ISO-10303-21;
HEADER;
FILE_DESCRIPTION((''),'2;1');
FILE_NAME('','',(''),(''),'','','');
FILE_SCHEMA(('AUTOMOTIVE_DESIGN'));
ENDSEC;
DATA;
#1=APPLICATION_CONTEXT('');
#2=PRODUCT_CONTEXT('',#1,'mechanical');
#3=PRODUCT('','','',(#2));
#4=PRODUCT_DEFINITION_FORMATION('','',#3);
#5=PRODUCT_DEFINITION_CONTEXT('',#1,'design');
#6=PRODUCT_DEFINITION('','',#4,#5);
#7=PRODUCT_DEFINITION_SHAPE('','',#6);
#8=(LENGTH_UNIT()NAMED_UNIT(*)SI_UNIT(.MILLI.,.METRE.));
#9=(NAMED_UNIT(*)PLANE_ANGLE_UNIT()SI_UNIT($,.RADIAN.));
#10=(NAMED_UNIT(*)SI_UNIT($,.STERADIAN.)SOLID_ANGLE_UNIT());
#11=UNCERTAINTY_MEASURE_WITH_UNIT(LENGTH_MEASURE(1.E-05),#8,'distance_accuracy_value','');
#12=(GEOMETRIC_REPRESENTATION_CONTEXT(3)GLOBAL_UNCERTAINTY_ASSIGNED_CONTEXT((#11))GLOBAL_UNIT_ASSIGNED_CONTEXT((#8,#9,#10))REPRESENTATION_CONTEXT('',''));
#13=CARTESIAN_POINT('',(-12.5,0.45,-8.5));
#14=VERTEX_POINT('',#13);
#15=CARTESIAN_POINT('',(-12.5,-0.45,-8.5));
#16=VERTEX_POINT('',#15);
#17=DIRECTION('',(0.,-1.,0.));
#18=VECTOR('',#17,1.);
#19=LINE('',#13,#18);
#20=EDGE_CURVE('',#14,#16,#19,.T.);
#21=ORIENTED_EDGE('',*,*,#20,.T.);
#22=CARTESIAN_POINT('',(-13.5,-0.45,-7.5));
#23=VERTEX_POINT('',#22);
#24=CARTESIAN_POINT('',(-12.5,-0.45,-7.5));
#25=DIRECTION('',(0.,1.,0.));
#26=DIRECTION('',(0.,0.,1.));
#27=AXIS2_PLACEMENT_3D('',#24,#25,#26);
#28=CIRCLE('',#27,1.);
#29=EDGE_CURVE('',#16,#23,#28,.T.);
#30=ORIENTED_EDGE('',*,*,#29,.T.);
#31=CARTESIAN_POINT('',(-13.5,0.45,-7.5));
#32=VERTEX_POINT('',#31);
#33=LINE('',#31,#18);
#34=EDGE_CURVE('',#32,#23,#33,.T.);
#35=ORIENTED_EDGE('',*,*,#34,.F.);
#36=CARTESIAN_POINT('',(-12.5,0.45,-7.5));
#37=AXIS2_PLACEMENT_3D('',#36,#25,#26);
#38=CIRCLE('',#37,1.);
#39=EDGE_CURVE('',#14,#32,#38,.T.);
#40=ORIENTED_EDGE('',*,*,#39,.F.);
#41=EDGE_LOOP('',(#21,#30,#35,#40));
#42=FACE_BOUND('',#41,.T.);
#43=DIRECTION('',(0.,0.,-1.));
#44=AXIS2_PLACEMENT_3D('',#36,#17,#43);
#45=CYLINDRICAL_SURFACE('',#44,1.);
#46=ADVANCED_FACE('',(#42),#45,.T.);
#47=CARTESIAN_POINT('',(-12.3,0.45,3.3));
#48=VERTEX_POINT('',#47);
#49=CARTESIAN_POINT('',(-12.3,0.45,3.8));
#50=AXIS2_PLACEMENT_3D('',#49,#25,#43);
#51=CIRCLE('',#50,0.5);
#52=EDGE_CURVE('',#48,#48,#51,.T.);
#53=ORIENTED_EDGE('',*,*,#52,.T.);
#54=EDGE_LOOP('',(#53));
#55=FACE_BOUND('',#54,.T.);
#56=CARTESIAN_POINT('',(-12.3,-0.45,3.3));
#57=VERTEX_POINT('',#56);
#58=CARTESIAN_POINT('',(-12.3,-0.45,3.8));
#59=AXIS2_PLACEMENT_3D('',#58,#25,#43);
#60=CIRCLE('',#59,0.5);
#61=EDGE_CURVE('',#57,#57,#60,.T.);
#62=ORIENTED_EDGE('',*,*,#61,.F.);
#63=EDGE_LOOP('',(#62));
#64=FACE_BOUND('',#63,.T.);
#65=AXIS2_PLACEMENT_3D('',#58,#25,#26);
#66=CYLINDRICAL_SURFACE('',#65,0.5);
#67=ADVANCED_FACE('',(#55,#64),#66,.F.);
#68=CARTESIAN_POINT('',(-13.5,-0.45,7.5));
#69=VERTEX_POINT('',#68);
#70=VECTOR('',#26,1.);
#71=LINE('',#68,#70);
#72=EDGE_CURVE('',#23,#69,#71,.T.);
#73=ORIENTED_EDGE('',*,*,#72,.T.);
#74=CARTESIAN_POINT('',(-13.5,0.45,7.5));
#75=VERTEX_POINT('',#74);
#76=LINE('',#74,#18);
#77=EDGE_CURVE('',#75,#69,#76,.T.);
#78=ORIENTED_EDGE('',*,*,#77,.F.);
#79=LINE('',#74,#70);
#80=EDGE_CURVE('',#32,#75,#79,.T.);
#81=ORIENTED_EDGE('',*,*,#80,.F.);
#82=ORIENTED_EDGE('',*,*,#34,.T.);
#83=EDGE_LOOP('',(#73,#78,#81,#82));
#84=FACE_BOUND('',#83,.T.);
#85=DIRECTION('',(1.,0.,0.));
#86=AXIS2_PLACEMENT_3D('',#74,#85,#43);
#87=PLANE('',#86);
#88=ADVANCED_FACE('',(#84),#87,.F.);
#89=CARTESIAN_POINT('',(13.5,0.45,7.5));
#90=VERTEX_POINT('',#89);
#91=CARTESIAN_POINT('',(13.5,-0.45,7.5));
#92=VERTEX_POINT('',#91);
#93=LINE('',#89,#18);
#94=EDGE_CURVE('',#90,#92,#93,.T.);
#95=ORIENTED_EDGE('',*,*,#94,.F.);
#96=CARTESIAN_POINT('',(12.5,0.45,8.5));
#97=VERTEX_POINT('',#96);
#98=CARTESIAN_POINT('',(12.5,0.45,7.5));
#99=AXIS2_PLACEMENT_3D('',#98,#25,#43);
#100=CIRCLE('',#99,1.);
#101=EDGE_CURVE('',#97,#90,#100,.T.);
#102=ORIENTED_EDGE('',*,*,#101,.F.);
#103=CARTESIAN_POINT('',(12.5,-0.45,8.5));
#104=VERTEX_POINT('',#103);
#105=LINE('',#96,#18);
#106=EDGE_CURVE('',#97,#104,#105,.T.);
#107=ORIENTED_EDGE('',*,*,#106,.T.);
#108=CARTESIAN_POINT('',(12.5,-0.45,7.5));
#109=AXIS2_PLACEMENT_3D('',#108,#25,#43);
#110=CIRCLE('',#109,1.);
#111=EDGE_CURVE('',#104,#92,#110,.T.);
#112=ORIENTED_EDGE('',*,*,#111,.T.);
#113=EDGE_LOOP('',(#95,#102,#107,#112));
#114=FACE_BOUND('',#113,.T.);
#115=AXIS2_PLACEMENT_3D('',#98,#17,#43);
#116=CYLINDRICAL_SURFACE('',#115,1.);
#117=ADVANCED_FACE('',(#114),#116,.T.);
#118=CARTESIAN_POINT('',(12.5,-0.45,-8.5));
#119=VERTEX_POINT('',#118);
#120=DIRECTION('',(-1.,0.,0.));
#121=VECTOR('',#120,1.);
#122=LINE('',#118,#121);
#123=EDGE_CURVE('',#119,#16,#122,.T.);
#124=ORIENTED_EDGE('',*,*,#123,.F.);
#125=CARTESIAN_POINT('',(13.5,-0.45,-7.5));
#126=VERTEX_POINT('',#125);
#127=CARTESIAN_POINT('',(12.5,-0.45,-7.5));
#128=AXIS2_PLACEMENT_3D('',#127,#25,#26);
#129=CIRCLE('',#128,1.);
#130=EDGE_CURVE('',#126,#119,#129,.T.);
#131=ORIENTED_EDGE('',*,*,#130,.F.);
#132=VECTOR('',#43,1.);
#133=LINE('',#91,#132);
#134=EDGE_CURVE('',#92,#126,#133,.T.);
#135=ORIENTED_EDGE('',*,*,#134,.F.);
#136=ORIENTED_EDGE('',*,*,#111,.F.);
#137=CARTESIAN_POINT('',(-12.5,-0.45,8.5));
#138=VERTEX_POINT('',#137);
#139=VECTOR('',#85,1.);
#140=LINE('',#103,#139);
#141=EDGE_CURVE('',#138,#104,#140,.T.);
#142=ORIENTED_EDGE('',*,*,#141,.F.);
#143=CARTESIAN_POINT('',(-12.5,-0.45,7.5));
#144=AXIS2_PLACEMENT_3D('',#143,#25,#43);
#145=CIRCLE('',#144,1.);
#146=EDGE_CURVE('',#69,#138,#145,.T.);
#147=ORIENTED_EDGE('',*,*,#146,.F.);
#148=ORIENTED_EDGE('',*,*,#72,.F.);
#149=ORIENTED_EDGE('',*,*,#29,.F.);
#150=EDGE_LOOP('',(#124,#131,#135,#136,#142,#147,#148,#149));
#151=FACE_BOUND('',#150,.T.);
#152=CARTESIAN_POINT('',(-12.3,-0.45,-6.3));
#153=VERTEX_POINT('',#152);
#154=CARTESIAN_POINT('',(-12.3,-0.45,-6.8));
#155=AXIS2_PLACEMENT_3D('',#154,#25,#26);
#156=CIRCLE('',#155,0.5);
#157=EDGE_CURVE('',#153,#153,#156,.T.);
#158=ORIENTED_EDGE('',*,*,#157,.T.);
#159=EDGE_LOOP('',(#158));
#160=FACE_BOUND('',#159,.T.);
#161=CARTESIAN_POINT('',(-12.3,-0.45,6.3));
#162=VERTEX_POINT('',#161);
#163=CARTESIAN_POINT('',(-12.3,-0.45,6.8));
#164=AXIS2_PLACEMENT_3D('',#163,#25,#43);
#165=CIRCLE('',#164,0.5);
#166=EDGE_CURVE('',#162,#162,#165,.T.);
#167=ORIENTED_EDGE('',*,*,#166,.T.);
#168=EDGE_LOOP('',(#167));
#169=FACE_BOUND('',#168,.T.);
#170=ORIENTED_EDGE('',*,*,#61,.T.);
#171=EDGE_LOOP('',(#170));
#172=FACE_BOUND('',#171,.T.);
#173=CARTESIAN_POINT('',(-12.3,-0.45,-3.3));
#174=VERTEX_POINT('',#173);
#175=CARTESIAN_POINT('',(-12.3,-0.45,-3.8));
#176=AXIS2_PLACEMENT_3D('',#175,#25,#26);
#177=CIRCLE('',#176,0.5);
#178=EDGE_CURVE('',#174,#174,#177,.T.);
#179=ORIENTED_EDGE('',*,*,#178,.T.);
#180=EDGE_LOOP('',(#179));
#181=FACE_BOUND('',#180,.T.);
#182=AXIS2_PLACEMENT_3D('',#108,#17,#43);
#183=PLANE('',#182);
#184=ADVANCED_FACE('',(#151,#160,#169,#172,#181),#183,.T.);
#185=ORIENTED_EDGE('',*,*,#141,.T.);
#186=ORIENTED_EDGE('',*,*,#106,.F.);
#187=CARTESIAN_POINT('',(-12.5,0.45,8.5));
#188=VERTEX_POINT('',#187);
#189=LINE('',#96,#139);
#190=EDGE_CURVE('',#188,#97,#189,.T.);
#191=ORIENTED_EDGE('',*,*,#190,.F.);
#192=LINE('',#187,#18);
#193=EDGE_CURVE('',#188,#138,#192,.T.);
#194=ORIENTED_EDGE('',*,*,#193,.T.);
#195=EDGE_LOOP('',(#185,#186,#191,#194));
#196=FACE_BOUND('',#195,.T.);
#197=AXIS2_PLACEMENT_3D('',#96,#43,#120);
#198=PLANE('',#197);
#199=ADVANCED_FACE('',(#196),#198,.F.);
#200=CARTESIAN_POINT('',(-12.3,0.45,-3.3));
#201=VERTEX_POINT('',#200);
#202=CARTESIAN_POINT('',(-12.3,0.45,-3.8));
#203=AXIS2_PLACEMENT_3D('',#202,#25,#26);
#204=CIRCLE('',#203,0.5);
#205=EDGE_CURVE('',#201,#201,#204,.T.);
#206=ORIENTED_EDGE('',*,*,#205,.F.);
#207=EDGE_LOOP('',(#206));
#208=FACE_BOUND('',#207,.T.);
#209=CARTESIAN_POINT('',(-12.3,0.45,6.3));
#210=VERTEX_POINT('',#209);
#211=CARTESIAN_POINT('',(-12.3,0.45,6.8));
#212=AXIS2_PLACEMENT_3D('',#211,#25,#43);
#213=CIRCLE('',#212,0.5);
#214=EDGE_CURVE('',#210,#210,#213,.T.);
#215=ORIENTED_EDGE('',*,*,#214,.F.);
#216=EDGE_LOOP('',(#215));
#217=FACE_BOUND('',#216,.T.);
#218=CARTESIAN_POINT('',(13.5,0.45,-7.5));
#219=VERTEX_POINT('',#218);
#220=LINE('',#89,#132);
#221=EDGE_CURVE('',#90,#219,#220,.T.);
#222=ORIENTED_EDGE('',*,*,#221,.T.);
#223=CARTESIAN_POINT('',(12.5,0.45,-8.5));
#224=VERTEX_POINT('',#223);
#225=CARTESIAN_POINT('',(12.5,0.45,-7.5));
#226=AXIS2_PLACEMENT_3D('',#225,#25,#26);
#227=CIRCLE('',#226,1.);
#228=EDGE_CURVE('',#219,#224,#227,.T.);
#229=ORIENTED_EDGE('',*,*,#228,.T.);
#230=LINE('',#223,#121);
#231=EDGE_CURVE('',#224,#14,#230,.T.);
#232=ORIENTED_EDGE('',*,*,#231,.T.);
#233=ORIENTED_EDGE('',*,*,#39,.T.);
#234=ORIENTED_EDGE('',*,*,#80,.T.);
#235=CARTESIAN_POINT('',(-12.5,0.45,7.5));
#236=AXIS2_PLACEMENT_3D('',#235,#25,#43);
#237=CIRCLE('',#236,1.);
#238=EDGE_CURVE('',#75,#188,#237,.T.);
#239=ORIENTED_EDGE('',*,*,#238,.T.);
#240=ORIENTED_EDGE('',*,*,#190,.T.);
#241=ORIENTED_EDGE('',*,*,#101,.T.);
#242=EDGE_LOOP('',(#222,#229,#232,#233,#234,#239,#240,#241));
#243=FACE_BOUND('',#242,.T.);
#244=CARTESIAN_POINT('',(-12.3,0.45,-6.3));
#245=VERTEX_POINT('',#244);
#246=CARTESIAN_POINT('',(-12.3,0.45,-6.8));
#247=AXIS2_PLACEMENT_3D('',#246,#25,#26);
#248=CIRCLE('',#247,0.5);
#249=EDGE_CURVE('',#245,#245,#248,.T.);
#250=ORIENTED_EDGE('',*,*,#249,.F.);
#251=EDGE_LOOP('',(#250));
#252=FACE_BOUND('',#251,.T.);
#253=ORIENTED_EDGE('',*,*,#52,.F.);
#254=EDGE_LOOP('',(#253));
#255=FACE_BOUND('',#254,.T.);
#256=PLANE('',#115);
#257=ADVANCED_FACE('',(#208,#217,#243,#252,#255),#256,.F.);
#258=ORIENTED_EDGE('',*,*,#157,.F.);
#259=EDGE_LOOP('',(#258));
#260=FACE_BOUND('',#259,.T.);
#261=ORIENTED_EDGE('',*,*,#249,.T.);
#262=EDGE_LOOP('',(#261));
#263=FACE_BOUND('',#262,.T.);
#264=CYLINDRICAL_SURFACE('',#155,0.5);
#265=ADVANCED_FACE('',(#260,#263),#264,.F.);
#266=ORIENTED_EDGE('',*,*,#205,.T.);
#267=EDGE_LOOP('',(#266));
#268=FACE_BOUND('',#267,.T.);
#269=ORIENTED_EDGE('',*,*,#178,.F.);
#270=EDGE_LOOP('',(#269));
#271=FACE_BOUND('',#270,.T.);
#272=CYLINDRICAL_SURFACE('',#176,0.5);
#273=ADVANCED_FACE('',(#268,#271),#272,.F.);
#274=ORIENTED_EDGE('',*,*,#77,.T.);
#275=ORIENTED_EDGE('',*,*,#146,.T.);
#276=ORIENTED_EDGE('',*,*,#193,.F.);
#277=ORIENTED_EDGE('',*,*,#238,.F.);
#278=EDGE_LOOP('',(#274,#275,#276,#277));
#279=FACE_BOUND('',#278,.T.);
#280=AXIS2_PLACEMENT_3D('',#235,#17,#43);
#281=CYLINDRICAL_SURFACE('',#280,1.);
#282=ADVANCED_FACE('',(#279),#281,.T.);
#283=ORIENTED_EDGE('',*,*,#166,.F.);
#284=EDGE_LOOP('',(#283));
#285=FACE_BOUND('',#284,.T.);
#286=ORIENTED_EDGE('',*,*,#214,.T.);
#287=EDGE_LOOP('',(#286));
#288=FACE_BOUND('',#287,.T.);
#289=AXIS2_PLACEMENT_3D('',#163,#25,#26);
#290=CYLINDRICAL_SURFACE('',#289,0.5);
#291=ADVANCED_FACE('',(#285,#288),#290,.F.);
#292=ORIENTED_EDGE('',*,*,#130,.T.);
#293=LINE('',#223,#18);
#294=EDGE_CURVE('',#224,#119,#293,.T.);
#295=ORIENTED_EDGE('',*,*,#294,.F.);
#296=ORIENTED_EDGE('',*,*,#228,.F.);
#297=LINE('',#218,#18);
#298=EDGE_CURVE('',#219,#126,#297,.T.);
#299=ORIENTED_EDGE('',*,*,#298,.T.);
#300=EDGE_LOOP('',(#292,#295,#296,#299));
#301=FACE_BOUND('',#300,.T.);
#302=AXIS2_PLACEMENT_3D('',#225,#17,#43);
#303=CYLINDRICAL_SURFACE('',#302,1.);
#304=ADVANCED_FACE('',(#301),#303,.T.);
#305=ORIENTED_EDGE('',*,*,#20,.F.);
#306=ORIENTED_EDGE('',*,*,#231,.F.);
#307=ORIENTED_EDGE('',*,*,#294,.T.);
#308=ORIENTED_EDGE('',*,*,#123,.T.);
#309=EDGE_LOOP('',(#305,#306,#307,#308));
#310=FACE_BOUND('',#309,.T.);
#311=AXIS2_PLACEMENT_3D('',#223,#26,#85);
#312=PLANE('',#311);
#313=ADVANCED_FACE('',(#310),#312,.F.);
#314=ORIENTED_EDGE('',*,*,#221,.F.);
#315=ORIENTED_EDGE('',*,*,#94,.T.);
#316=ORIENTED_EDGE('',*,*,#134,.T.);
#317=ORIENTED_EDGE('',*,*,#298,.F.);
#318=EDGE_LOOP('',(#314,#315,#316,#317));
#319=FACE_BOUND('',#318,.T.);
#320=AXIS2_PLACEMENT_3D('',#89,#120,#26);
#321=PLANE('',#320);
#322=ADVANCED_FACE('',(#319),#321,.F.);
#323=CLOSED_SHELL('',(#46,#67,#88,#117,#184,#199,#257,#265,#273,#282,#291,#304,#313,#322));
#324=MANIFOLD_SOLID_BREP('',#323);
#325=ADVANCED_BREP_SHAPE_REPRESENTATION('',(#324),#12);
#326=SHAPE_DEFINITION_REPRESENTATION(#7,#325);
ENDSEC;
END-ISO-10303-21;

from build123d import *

# Parameters (mm, degrees)
RESSALTO_EXTRUS_O1_DEPTH = 0.45
ESBO_O2_R                = 0.5
CORTE_EXTRUS_O1_DEPTH    = 16.978422951


with BuildPart() as part:
    # Esboço1 → Ressalto-extrusão1 (new, symmetric)
    with BuildSketch(Plane(origin=(0, 0, 0), x_dir=(1, 0, 0), z_dir=(0, 1, 0))):
        with BuildLine():
            Line((12.5, -8.5), (-12.5, -8.5))
            ThreePointArc((-12.5, -8.5), (-13.207106781, -8.207106781), (-13.5, -7.5))
            Line((-13.5, -7.5), (-13.5, 7.5))
            ThreePointArc((-13.5, 7.5), (-13.207106781, 8.207106781), (-12.5, 8.5))
            Line((-12.5, 8.5), (12.5, 8.5))
            ThreePointArc((12.5, 8.5), (13.207106781, 8.207106781), (13.5, 7.5))
            Line((13.5, 7.5), (13.5, -7.5))
            ThreePointArc((13.5, -7.5), (13.207106781, -8.207106781), (12.5, -8.5))
        make_face()
    extrude(amount=RESSALTO_EXTRUS_O1_DEPTH, both=True)

    # Esboço2 → Corte-extrusão1 (cut, through all)
    with BuildSketch(Plane(origin=(0, 0.45, 0), x_dir=(1, 0, 0), z_dir=(0, 1, 0))):
        with Locations(Location((-12.3, 3.8, 0), (0, 0, 270))):
            Circle(ESBO_O2_R)
        with Locations(Location((-12.3, 6.8, 0), (0, 0, 270))):
            Circle(ESBO_O2_R)
        with Locations(Location((-12.3, -6.8, 0), (0, 0, 90))):
            Circle(ESBO_O2_R)
        with Locations(Location((-12.3, -3.8, 0), (0, 0, 90))):
            Circle(ESBO_O2_R)
    extrude(amount=-CORTE_EXTRUS_O1_DEPTH, mode=Mode.SUBTRACT)


solid = part.part
